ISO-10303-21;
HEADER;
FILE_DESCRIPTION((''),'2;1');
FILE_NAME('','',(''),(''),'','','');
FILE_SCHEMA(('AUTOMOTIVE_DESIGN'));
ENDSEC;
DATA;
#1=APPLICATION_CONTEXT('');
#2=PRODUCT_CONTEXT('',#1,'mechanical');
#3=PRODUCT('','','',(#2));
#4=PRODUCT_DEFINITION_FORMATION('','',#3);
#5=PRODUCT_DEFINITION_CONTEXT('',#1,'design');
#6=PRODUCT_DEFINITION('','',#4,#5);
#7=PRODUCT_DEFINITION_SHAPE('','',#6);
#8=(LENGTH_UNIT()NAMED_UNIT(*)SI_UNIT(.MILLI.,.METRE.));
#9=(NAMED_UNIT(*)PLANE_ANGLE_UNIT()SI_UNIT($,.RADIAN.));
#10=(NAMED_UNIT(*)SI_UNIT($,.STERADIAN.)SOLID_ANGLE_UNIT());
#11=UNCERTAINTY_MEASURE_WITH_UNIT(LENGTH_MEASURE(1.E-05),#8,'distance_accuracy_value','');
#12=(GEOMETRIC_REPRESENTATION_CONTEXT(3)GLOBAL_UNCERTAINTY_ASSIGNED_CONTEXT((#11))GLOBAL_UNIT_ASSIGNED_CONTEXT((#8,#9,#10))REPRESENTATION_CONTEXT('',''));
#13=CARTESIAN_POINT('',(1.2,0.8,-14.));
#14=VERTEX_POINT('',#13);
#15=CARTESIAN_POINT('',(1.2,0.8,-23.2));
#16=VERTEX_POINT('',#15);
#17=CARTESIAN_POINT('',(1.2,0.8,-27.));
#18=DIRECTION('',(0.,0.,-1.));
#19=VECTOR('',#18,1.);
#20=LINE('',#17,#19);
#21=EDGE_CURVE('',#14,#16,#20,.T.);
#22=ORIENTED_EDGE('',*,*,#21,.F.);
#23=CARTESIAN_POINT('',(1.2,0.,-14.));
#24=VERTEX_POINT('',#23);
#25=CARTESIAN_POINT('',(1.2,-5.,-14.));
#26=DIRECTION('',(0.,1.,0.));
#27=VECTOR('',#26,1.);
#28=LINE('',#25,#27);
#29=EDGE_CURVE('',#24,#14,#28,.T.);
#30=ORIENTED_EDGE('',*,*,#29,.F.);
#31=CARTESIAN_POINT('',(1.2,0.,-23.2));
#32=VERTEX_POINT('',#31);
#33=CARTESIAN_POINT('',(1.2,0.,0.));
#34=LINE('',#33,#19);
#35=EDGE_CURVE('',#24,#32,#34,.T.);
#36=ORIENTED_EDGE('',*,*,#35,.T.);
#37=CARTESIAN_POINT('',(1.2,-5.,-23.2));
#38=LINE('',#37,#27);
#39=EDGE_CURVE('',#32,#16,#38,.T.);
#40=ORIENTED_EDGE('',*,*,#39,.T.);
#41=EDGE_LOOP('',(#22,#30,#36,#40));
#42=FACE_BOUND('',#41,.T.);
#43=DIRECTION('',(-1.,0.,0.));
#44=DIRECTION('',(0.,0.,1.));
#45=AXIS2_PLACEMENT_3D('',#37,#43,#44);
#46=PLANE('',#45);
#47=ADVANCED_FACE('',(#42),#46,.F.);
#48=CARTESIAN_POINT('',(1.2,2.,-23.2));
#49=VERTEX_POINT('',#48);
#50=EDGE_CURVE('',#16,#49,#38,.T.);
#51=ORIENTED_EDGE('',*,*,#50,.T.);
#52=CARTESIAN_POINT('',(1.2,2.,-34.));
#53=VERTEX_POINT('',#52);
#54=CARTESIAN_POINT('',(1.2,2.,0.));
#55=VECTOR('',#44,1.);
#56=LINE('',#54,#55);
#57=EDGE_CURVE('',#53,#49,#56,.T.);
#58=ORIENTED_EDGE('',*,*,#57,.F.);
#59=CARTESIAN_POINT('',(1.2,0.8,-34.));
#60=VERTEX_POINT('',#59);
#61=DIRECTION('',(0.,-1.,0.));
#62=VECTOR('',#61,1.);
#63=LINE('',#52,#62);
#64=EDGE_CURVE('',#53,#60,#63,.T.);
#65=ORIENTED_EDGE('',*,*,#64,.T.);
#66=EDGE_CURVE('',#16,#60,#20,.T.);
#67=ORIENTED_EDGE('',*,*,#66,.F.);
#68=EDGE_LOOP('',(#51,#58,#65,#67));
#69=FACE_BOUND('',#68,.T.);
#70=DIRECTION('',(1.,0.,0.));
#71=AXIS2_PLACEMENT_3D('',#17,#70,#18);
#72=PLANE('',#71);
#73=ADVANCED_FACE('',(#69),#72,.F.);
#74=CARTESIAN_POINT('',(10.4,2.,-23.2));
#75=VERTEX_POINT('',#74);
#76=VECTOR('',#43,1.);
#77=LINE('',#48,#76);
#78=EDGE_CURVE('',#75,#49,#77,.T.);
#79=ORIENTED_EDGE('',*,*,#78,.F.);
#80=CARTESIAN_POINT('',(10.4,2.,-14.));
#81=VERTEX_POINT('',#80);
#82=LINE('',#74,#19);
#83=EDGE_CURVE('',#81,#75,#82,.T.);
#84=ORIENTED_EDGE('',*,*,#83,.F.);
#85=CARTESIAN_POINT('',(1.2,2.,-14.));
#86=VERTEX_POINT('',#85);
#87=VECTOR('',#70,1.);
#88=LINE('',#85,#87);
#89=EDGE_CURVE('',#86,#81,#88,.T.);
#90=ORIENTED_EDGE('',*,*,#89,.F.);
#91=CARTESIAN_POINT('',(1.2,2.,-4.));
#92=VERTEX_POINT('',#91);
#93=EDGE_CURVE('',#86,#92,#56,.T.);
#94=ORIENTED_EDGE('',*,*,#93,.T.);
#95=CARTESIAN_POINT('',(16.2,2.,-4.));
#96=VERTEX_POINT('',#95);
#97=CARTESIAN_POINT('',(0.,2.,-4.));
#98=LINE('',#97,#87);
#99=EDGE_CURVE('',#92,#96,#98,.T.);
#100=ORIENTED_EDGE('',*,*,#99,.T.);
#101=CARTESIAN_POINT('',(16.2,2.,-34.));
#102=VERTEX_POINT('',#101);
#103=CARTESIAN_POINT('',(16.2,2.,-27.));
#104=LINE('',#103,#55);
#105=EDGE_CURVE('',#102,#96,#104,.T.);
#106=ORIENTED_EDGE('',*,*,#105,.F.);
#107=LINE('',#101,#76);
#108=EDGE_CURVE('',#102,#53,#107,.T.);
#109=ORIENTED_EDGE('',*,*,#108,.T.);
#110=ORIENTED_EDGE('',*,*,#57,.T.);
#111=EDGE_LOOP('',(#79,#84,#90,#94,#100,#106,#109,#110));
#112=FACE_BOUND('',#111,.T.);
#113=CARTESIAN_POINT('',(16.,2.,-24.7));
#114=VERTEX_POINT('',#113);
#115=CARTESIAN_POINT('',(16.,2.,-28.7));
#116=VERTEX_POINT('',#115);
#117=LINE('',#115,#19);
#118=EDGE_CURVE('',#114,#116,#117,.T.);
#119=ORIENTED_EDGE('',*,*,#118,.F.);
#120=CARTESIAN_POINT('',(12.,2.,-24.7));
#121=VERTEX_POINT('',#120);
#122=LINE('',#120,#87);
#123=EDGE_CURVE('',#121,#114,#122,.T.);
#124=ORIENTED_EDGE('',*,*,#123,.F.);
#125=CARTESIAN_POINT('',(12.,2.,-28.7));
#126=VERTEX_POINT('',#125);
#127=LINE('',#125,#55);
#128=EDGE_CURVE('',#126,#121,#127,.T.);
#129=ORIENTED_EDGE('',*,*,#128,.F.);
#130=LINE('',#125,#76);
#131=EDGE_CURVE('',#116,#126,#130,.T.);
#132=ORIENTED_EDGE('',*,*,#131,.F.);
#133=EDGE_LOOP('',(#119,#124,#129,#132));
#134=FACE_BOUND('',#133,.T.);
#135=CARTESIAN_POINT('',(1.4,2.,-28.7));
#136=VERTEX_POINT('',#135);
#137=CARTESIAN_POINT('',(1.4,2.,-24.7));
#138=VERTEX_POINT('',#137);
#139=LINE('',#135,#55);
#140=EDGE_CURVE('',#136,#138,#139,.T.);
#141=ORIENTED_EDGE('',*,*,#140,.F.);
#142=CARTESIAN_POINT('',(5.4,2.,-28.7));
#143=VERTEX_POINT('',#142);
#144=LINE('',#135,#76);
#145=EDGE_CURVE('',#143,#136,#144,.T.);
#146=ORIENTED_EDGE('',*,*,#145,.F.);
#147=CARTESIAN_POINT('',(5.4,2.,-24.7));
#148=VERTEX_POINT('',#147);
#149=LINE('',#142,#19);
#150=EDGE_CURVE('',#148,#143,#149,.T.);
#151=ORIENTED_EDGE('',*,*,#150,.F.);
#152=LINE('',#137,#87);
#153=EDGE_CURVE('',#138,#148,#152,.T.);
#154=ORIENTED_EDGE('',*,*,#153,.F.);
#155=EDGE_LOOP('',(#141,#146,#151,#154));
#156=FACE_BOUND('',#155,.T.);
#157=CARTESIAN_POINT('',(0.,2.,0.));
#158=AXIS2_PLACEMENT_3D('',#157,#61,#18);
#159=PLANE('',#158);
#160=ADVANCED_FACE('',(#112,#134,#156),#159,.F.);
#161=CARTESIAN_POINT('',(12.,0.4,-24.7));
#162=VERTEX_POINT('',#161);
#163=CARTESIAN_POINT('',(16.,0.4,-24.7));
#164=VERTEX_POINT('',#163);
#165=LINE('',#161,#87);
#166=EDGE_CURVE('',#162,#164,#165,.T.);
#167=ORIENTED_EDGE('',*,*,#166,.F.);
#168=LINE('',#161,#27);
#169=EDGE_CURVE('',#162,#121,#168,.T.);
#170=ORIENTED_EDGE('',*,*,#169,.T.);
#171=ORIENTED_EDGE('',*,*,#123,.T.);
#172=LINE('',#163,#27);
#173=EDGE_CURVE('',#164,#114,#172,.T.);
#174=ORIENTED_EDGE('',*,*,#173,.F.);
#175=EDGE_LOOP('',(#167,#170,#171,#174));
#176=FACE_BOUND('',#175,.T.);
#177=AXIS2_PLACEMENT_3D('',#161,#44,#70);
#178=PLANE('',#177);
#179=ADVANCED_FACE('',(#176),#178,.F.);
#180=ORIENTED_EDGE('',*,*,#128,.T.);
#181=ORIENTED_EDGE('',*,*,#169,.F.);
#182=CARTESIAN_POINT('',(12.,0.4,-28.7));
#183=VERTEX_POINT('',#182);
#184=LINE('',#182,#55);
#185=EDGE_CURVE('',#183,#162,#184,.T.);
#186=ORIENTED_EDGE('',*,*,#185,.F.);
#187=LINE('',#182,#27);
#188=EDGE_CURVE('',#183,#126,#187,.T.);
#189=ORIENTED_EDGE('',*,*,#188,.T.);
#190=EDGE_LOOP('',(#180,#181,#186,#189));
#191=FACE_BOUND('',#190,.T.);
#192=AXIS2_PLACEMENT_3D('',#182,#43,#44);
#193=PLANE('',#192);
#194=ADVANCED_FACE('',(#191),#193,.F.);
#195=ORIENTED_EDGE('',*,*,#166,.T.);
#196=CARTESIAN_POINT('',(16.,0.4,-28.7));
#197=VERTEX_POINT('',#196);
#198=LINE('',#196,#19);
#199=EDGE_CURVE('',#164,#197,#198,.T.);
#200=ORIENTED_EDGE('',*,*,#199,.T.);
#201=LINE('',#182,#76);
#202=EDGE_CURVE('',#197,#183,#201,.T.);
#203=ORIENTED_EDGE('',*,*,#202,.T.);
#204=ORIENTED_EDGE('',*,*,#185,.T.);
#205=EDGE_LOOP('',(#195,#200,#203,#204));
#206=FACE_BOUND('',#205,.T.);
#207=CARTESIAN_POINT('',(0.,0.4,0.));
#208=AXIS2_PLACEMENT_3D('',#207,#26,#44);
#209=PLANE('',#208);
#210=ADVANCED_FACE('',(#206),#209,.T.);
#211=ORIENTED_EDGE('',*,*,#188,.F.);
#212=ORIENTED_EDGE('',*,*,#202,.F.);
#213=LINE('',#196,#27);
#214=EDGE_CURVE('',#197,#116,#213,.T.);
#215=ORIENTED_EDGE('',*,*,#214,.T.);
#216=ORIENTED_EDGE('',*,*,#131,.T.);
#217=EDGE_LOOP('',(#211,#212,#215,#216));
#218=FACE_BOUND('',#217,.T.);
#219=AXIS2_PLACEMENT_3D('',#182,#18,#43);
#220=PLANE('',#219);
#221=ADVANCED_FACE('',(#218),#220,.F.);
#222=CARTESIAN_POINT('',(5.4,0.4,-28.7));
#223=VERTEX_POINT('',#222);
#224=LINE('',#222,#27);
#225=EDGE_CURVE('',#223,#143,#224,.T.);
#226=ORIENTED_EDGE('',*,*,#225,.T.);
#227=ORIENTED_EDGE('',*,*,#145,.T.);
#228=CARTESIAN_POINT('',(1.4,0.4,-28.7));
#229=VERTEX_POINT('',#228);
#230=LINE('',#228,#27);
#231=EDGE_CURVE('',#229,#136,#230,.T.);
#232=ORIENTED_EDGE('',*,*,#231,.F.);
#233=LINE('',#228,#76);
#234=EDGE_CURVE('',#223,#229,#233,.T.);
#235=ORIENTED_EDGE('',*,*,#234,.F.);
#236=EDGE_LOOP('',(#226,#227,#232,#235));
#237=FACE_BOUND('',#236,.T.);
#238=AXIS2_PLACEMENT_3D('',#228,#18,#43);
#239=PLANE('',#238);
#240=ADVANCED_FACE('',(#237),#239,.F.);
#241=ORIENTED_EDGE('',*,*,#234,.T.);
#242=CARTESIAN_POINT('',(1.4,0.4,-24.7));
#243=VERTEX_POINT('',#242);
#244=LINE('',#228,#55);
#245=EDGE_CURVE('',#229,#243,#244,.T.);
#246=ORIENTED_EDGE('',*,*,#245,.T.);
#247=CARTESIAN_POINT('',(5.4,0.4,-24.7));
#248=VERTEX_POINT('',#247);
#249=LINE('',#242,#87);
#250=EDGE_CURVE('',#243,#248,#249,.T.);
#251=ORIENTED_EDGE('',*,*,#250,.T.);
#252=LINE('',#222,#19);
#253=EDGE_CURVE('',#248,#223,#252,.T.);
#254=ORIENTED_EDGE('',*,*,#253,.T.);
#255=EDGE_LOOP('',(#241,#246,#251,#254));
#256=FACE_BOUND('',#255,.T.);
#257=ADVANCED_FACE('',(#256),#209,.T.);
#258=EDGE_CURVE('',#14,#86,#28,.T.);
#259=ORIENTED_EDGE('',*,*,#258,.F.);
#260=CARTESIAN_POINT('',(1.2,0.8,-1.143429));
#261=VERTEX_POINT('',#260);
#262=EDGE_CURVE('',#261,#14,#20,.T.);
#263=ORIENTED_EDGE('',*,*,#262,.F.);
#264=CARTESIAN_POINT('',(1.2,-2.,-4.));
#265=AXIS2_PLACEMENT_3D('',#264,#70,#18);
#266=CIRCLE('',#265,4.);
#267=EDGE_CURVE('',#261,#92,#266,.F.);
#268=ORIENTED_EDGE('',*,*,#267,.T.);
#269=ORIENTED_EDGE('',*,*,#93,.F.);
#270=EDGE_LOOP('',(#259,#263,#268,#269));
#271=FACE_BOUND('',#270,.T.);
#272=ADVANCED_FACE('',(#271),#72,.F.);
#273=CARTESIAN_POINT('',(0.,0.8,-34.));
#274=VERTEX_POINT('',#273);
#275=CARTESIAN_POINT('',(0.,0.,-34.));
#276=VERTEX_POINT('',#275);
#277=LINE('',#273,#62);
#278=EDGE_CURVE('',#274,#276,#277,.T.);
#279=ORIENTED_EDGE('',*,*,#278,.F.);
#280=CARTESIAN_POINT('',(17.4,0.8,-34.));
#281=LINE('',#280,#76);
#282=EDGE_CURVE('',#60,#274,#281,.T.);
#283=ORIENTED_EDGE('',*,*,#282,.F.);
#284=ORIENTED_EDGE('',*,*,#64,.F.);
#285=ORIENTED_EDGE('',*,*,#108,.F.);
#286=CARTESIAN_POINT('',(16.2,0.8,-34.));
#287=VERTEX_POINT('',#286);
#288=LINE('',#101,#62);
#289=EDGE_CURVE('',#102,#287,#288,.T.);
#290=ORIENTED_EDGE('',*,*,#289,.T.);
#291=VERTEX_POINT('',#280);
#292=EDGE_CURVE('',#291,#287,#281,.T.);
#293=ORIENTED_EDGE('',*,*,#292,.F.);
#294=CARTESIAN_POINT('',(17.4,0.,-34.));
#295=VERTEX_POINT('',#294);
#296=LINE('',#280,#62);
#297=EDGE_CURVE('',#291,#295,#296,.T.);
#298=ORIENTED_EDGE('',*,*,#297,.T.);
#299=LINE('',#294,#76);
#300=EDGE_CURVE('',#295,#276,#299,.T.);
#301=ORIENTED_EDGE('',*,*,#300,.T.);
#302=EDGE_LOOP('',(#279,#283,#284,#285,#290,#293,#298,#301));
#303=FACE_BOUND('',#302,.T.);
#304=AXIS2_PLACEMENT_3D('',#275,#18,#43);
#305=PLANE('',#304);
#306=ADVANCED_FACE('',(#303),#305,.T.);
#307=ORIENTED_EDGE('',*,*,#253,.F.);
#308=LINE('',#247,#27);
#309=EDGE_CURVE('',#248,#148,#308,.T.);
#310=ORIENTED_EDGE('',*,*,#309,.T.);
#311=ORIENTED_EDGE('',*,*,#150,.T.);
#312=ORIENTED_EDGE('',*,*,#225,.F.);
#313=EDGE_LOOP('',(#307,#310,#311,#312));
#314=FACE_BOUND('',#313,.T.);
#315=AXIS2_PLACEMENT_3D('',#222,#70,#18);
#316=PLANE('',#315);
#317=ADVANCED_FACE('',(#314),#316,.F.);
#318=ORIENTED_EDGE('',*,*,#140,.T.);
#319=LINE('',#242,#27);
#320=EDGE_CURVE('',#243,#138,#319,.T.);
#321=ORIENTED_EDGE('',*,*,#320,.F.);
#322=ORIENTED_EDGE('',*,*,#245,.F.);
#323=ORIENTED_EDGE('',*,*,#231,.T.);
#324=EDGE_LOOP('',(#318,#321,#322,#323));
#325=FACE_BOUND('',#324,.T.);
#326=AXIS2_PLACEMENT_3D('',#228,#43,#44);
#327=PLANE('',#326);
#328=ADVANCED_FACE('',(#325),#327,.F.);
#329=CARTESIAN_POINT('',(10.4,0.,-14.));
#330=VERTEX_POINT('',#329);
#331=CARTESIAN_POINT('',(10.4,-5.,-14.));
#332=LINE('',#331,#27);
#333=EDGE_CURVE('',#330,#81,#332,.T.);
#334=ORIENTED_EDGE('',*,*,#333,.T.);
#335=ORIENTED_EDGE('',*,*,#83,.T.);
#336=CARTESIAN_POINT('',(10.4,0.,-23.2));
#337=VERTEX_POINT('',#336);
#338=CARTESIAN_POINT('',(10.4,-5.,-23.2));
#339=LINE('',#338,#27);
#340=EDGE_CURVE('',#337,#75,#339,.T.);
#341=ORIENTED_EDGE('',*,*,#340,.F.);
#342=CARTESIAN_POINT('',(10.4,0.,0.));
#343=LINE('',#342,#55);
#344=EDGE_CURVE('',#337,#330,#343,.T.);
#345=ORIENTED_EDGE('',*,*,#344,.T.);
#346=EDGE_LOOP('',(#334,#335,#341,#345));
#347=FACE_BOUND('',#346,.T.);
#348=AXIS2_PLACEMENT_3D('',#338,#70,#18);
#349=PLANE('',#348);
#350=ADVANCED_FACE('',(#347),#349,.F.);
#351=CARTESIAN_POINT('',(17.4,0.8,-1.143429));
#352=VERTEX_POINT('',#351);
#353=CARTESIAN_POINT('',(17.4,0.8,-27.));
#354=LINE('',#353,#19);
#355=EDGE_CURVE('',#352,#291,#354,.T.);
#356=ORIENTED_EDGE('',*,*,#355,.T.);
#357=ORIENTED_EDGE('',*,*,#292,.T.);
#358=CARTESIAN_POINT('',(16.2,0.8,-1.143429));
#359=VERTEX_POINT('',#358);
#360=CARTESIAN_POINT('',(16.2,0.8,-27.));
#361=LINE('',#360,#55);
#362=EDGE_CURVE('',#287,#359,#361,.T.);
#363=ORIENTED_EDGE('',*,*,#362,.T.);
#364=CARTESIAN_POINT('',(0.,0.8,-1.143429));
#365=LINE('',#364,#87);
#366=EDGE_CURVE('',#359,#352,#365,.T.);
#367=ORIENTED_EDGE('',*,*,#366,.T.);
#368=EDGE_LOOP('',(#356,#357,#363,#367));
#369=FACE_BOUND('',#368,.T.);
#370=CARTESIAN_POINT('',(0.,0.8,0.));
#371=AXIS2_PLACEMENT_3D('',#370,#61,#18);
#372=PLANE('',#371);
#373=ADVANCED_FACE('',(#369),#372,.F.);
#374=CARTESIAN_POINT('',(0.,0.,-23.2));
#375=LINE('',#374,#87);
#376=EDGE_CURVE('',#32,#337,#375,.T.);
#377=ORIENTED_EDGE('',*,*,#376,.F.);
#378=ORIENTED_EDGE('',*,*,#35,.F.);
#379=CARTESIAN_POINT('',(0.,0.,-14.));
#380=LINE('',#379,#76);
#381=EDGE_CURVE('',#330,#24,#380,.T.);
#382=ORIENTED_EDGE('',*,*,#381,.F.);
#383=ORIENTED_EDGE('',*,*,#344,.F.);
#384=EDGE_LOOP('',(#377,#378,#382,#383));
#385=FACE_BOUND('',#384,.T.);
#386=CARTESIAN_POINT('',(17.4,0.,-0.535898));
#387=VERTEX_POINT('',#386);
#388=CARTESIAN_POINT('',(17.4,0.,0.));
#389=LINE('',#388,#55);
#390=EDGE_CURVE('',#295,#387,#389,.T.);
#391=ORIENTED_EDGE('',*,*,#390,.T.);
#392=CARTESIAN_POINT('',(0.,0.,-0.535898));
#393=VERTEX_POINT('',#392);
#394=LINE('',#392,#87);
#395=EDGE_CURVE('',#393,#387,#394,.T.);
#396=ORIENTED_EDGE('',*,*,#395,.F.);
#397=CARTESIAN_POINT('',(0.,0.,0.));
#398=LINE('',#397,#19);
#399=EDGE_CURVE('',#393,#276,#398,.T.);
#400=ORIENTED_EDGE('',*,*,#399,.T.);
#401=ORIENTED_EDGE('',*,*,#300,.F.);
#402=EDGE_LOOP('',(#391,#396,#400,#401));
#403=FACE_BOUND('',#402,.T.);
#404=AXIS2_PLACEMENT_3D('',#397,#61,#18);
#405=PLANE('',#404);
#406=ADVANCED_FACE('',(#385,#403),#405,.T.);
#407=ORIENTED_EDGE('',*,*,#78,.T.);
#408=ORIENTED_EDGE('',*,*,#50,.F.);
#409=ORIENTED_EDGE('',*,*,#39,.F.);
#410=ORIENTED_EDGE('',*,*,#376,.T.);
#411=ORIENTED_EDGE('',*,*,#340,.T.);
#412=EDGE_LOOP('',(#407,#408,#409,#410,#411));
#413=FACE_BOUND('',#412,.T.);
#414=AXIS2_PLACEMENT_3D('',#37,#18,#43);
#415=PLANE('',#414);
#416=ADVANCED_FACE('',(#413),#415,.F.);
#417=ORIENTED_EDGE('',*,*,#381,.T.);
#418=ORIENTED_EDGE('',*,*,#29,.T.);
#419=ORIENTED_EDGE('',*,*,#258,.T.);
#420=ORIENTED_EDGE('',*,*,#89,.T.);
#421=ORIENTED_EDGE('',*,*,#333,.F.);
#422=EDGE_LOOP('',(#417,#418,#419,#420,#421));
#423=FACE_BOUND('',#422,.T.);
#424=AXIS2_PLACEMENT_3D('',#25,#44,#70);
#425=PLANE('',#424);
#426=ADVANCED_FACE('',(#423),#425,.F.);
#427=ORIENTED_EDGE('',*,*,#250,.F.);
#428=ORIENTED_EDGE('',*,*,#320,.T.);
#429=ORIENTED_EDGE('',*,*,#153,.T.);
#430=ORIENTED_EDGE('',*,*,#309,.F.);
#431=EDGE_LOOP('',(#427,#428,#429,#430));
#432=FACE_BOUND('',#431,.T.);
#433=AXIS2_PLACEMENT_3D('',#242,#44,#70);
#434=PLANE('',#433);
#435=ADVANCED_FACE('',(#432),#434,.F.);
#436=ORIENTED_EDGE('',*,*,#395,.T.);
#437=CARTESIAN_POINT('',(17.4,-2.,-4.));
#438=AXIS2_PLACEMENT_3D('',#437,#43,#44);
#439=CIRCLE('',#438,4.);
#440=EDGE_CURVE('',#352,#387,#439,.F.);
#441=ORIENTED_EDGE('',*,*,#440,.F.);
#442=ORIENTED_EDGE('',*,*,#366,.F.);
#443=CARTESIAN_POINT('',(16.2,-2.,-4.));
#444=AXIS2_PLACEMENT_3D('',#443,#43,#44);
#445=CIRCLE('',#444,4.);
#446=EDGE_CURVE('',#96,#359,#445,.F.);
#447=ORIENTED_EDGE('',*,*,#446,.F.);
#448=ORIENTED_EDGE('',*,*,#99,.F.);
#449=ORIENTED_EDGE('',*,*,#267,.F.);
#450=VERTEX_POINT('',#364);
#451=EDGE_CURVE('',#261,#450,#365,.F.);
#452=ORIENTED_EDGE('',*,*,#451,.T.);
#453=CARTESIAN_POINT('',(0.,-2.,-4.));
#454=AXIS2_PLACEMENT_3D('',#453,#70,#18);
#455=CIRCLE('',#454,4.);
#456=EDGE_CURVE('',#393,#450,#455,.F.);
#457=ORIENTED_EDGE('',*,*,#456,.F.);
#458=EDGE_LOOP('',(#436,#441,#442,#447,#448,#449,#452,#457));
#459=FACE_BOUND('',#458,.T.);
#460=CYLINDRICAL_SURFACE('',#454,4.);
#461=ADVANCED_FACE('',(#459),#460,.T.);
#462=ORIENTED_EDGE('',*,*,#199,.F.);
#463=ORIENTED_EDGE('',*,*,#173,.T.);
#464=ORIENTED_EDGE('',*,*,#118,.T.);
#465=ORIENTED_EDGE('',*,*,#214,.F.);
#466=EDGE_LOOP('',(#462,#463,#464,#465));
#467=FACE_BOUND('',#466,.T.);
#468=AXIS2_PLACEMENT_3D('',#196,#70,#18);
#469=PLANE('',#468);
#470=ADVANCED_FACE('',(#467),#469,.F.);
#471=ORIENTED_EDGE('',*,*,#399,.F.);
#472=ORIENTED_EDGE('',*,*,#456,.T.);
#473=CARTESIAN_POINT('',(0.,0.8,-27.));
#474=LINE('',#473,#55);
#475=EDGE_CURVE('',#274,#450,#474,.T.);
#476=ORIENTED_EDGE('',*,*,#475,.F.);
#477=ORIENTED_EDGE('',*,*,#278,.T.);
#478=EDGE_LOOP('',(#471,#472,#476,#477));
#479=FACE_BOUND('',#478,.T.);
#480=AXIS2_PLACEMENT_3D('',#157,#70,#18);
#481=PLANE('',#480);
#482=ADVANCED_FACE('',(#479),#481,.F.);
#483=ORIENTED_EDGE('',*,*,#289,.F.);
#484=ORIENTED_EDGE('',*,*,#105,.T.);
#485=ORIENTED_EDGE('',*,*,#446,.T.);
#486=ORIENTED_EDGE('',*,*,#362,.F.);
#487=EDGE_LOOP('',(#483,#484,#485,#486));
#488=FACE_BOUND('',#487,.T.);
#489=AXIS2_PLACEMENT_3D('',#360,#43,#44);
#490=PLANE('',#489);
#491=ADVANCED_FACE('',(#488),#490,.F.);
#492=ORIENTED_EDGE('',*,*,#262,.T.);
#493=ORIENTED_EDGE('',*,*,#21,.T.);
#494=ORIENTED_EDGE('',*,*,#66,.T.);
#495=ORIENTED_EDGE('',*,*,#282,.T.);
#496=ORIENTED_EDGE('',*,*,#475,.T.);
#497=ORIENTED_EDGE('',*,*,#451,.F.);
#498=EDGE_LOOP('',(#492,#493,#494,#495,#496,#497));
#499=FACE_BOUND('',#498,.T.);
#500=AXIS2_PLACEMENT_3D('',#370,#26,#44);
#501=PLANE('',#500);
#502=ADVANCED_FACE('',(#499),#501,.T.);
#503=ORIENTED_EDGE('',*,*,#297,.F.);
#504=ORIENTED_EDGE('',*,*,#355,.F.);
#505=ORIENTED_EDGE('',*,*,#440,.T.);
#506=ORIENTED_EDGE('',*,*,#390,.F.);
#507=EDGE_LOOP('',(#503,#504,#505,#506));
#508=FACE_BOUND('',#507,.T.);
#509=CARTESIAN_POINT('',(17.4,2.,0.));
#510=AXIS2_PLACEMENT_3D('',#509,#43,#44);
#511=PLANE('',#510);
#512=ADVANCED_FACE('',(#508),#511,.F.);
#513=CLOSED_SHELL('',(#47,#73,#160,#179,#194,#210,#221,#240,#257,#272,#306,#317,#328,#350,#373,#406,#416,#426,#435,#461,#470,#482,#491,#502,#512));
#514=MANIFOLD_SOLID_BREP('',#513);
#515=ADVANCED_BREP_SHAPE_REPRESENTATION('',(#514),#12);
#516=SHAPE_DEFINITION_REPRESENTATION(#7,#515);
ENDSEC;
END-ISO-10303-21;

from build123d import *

# Parameters (mm, degrees)
SKICA1_W                 = 17.4
SKICA1_H                 = 27
P_IDAT_VYSUNUT_M1_DEPTH  = 2
SKICA2_W                 = 17.4
SKICA2_H                 = 27
P_IDAT_VYSUNUT_M2_DEPTH  = 6
ZAOBLIT1_R               = 4
SKICA3_W                 = 17.4
SKICA3_H                 = 27
ODEBRAT_VYSUNUT_M1_DEPTH = 6
SKICA4_W                 = 1.2
SKICA4_H                 = 26.464101615
ODEBRAT_VYSUNUT_M2_DEPTH = 1.2
SKICA7_W                 = 15
SKICA7_H                 = 1.2
SKICA7_W_2               = 17.4
SKICA7_H_2               = 0.8
P_IDAT_VYSUNUT_M3_DEPTH  = 7
SKICA8_W                 = 9.2
SKICA8_H                 = 9.2
ODEBRAT_VYSUNUT_M5_DEPTH = 7
SKICA10_W                = 4
SKICA10_H                = 4
ODEBRAT_VYSUNUT_M6_DEPTH = 1.6


with BuildPart() as part:
    # Skica1 → Přidat vysunutím1 (new body)
    with BuildSketch(Plane(origin=(0, 0, 0), x_dir=(1, 0, 0), z_dir=(0, 1, 0))):
        with Locations((8.7, 13.5)):
            Rectangle(SKICA1_W, SKICA1_H)
    extrude(amount=P_IDAT_VYSUNUT_M1_DEPTH)

    # Skica2 → Přidat vysunutím2 (add)
    with BuildSketch(Plane.XZ):
        with Locations((8.7, -13.5)):
            Rectangle(SKICA2_W, SKICA2_H)
    extrude(amount=P_IDAT_VYSUNUT_M2_DEPTH)

    # Zaoblit1
    zaoblit1_edges = [part.edges().sort_by_distance(p)[0] for p in [
        (8.7, 2, 0),
    ]]
    fillet(zaoblit1_edges, radius=ZAOBLIT1_R)

    # Skica3 → Odebrat vysunutím1 (cut)
    with BuildSketch(Plane.XZ.offset(6)):
        with Locations((8.7, -13.5)):
            Rectangle(SKICA3_W, SKICA3_H)
    extrude(amount=-ODEBRAT_VYSUNUT_M1_DEPTH, mode=Mode.SUBTRACT)

    # Skica4 → Odebrat vysunutím2 (cut)
    with BuildSketch(Plane(origin=(0, 2, 0), x_dir=(1, 0, 0), z_dir=(0, 1, 0))):
        with Locations((0.6, 13.767949192)):
            Rectangle(SKICA4_W, SKICA4_H)
        with Locations((16.8, 13.767949192)):
            Rectangle(SKICA4_W, SKICA4_H)
    extrude(amount=-ODEBRAT_VYSUNUT_M2_DEPTH, mode=Mode.SUBTRACT)

    # Skica7 → Přidat vysunutím3 (add)
    with BuildSketch(Plane(origin=(0, 0, -27), x_dir=(-1, 0, 0), z_dir=(0, 0, -1))):
        with Locations((-8.7, 1.4)):
            Rectangle(SKICA7_W, SKICA7_H)
        with Locations((-8.7, 0.4)):
            Rectangle(SKICA7_W_2, SKICA7_H_2)
    extrude(amount=P_IDAT_VYSUNUT_M3_DEPTH)

    # Skica8 → Odebrat vysunutím5 (cut)
    with BuildSketch(Plane(origin=(0, 2, 0), x_dir=(1, 0, 0), z_dir=(0, 1, 0))):
        with Locations((5.8, 18.6)):
            Rectangle(SKICA8_W, SKICA8_H)
    extrude(amount=-ODEBRAT_VYSUNUT_M5_DEPTH, mode=Mode.SUBTRACT)

    # Skica10 → Odebrat vysunutím6 (cut)
    with BuildSketch(Plane(origin=(0, 2, 0), x_dir=(1, 0, 0), z_dir=(0, 1, 0))):
        with Locations((3.4, 26.7)):
            Rectangle(SKICA10_W, SKICA10_H)
        with Locations((14, 26.7)):
            Rectangle(SKICA10_W, SKICA10_H)
    extrude(amount=-ODEBRAT_VYSUNUT_M6_DEPTH, mode=Mode.SUBTRACT)


solid = part.part
